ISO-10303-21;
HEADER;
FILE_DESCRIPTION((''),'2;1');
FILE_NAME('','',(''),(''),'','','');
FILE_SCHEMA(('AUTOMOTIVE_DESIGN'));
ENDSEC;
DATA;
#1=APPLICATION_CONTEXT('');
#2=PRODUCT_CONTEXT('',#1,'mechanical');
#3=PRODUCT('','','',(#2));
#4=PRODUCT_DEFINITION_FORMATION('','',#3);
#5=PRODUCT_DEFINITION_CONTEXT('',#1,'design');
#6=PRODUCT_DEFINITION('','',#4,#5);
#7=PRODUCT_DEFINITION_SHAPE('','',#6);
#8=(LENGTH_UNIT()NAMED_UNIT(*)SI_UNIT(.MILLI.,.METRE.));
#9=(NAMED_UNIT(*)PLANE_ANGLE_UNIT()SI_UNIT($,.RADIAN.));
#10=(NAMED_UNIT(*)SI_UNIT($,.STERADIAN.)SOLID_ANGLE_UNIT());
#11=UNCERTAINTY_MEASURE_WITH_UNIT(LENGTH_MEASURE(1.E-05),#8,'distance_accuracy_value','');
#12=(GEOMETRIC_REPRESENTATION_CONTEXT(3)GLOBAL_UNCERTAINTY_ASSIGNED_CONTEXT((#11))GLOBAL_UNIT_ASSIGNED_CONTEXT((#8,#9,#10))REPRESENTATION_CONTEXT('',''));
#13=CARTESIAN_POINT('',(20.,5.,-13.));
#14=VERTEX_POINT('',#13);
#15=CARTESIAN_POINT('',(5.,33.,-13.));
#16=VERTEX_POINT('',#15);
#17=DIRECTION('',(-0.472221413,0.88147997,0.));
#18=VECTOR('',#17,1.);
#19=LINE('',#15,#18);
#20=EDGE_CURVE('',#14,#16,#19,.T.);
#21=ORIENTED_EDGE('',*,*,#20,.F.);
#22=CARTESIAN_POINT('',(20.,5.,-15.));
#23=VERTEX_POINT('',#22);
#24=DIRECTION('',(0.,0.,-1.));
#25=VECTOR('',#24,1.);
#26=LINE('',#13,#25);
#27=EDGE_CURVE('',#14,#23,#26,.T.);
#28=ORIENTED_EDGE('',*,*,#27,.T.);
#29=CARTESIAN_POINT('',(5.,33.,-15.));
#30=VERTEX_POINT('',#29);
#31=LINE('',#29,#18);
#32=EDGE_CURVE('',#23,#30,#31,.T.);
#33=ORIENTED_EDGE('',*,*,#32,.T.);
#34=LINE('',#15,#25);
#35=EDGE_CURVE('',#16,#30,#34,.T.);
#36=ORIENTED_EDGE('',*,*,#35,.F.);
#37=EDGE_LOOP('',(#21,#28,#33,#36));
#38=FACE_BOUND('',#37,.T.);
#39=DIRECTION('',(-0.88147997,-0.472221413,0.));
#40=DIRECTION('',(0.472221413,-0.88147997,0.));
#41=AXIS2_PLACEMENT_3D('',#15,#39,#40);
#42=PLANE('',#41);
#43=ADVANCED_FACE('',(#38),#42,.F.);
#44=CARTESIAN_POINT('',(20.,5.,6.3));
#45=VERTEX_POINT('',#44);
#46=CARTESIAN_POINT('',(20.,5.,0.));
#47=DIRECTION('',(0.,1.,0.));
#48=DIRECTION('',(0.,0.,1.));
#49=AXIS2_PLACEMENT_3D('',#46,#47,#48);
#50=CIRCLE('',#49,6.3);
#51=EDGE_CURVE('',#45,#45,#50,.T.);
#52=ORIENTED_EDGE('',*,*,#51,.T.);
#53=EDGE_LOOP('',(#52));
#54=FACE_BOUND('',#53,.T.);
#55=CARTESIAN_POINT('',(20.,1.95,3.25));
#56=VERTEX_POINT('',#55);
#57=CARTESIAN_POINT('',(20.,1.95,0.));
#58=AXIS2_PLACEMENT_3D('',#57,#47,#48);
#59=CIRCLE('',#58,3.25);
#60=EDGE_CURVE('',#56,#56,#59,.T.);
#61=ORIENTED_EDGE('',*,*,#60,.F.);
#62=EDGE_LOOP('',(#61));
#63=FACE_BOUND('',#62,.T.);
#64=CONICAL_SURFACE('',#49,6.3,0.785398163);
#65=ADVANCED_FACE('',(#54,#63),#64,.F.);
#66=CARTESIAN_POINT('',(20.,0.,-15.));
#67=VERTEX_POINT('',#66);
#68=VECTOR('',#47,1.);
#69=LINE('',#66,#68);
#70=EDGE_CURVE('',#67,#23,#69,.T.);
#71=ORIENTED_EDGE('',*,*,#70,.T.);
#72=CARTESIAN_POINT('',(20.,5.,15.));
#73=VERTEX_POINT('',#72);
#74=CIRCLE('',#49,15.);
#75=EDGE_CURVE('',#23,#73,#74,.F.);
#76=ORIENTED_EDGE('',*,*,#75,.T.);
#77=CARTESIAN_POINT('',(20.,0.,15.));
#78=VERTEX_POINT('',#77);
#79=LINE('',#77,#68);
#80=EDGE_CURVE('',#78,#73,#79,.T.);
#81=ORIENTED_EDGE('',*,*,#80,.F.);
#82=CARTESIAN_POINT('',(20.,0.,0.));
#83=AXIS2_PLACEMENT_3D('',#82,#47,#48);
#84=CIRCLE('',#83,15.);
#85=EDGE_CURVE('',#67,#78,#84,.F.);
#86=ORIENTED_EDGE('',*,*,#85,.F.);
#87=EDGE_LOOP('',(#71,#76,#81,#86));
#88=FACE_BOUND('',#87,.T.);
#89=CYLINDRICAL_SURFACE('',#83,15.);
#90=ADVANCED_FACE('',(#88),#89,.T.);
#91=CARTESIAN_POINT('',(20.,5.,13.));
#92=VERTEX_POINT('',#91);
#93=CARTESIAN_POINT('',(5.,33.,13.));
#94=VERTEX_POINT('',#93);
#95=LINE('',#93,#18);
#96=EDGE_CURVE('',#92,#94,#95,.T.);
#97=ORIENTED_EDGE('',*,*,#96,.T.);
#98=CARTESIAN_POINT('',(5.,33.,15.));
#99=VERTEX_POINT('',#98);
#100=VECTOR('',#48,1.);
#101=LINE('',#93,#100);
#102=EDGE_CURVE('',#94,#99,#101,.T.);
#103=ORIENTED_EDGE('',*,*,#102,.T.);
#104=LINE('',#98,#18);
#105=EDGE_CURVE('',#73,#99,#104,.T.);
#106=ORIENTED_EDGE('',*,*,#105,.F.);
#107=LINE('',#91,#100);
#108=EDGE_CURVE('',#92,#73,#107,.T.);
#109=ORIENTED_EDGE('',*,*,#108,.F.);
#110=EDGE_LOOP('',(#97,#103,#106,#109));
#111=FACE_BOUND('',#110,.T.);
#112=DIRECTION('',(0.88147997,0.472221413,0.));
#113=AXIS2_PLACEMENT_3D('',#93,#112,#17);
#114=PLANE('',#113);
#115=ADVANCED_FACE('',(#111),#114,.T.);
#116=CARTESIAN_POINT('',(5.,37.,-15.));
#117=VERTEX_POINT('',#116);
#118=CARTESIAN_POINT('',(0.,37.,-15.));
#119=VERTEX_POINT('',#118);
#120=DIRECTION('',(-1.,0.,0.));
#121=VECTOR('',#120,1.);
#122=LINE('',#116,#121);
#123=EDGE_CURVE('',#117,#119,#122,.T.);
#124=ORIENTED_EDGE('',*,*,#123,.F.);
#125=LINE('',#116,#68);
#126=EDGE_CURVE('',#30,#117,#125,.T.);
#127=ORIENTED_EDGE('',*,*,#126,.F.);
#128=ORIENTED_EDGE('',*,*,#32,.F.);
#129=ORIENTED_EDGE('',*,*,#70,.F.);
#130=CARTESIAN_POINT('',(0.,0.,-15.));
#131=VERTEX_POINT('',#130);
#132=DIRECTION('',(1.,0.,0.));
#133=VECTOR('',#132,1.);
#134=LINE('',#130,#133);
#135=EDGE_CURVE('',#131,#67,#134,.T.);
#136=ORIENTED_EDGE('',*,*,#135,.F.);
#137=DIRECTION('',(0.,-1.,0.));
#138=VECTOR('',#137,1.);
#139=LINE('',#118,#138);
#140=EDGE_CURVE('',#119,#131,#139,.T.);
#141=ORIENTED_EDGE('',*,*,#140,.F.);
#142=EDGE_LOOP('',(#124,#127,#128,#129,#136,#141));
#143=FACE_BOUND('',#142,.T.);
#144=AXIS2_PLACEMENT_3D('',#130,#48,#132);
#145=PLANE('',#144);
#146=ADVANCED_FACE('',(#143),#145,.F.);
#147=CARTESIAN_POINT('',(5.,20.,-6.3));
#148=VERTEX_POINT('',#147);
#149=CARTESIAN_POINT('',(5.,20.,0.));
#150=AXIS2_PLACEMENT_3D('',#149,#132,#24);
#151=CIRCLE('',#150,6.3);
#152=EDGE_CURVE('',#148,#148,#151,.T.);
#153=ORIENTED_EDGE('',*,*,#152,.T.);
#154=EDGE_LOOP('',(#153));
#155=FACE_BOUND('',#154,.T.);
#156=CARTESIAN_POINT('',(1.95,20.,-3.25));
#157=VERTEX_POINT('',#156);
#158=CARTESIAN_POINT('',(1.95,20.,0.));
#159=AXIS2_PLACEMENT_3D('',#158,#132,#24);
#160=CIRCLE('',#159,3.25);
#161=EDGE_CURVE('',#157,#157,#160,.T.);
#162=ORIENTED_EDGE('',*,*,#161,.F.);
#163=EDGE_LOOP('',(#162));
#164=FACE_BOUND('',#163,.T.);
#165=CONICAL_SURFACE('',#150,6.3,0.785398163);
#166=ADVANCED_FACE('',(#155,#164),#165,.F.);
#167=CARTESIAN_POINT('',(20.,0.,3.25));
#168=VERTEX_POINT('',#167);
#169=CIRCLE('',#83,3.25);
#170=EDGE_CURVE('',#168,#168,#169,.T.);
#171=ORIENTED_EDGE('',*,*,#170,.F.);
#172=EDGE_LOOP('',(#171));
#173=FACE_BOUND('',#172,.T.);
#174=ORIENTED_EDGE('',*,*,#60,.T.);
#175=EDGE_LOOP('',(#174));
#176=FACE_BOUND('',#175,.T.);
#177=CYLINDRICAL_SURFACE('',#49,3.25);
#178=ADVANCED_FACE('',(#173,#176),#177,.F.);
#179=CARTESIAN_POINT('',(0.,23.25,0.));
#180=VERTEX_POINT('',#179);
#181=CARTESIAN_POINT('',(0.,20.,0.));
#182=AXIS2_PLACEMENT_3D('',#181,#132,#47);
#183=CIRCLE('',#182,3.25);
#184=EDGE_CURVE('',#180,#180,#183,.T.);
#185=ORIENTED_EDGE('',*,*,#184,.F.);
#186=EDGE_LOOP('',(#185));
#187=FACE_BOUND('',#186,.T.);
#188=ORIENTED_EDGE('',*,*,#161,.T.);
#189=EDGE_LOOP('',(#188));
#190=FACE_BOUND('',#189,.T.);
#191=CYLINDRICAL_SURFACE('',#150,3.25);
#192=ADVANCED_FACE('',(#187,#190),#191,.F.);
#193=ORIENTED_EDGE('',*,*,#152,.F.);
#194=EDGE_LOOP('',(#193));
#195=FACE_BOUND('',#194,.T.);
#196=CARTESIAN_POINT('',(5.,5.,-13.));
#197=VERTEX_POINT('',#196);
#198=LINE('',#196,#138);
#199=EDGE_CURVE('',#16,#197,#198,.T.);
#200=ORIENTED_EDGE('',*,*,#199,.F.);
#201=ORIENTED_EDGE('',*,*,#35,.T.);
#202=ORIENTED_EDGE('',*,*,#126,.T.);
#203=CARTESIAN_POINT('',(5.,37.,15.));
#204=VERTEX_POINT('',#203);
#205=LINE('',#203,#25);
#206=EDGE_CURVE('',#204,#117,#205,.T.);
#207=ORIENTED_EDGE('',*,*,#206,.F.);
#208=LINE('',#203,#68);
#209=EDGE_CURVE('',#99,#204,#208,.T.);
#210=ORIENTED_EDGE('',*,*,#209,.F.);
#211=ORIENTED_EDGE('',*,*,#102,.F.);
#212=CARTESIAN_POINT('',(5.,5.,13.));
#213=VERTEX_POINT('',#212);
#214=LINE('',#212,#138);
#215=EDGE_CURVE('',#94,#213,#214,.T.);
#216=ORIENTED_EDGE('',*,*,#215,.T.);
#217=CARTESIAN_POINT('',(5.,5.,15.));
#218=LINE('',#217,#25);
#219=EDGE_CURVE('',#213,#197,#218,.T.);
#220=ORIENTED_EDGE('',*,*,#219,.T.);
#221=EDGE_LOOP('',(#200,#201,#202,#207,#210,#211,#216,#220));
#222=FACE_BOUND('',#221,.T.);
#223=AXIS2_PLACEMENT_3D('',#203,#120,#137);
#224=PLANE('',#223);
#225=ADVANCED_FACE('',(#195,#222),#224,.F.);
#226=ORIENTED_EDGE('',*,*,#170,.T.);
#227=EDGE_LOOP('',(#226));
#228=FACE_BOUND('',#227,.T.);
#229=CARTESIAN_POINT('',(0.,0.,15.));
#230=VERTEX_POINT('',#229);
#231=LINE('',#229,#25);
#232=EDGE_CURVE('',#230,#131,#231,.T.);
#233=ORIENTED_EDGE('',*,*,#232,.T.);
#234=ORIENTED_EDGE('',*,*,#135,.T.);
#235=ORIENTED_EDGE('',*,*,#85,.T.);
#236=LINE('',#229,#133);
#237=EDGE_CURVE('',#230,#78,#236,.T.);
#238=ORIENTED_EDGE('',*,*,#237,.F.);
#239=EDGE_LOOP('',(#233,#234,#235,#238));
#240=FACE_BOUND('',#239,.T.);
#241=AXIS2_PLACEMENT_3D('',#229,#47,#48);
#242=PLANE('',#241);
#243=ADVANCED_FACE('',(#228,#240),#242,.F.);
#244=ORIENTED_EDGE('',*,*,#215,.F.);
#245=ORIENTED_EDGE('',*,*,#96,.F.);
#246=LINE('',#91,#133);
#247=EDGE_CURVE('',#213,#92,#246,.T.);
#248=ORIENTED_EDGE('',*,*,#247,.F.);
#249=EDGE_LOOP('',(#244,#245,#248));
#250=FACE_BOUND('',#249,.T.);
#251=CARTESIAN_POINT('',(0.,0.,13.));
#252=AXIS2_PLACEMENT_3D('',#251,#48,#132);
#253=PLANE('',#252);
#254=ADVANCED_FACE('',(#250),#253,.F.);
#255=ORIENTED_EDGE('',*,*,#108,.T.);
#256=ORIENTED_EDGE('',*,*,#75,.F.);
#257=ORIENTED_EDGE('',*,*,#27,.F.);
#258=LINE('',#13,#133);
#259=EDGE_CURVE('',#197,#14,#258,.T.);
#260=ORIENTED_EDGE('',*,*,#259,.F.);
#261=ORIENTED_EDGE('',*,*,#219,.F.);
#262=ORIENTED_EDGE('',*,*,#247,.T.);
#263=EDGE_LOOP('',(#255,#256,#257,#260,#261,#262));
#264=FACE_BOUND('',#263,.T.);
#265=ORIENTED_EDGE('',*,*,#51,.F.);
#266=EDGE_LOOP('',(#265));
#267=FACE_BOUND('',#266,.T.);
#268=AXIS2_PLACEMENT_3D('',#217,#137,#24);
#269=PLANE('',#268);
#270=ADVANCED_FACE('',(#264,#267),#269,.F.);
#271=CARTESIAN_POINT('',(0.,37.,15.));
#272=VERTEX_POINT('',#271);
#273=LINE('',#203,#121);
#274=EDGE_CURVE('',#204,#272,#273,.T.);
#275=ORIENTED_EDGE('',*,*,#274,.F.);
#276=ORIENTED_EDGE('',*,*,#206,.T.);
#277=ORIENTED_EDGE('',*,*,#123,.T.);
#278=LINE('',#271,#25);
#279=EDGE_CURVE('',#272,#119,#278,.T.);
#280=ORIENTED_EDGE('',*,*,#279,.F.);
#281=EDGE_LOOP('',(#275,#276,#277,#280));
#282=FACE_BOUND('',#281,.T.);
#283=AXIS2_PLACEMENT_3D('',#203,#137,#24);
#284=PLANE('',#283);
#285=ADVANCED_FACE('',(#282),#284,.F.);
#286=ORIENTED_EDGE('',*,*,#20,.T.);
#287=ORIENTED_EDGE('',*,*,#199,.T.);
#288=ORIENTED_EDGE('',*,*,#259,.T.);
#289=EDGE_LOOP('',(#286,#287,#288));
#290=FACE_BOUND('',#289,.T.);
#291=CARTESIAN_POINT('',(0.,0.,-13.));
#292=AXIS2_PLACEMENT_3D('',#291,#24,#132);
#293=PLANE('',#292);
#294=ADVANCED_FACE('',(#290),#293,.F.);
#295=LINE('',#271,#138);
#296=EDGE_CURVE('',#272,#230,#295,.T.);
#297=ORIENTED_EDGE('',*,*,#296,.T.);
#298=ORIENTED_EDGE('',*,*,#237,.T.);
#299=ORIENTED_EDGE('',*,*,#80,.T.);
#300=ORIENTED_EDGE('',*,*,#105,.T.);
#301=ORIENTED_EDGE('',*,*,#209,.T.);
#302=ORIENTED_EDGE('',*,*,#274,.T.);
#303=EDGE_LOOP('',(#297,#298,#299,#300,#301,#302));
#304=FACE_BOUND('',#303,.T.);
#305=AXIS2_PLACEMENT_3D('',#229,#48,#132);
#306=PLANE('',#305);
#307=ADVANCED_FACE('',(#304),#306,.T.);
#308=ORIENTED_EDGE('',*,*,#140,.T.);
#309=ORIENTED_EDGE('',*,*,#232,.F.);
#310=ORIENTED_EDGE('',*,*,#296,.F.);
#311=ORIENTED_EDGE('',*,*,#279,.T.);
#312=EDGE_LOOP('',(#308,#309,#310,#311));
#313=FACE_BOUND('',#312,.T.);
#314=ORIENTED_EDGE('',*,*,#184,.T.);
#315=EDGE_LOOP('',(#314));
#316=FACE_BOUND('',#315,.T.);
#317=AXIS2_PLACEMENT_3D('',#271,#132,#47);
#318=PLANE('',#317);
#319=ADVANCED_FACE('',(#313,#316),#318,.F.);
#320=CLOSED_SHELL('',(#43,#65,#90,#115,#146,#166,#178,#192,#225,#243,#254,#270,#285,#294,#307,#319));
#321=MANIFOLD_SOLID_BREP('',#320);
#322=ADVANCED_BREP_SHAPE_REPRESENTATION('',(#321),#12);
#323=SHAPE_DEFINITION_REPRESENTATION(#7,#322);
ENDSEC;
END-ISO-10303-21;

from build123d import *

# Parameters (mm, degrees)
EXTRUDE_1_DEPTH     = 15
CUT_EXTRUDE_2_DEPTH = 6
EXTRUDE_2_DEPTH     = 2


with BuildPart() as part:
    # Эскиз1 → Бобышка-Вытянуть1 (new body, symmetric)
    with BuildSketch(Plane.XY):
        Polygon((0, 37), (0, 0), (35, 0), (35, 5), (5, 5), (5, 37), align=None)
    extrude(amount=EXTRUDE_1_DEPTH, both=True)

    # Эскиз5 → Вырез-Вытянуть2 (cut, through all)
    with BuildSketch(Plane(origin=(0, 5, 0), x_dir=(1, 0, 0), z_dir=(0, 1, 0))):
        with BuildLine():
            Line((35, 15), (20, 15))
            ThreePointArc((20, 15), (30.606601718, 10.606601718), (35, 0))
            Line((35, 0), (35, 15))
        make_face()
        with BuildLine():
            Line((35, -15), (35, 0))
            ThreePointArc((35, 0), (30.606601718, -10.606601718), (20, -15))
            Line((20, -15), (35, -15))
        make_face()
    extrude(amount=-CUT_EXTRUDE_2_DEPTH, mode=Mode.SUBTRACT)

    # Эскиз2 → Бобышка-Вытянуть2 (add)
    with BuildSketch(Plane.XY.offset(15)):
        Polygon((5, 33), (20, 5), (5, 5), align=None)
    extrude_2 = extrude(amount=-EXTRUDE_2_DEPTH)

    # Зеркальное отражение2: Бобышка-Вытянуть2 across plane
    add(extrude_2.mirror(Plane.XY))

    # Эскиз8 → Зенковка для винта с полупотайной головкой M61 (revolve, cut)
    with BuildSketch(Plane(origin=(20, 5, 0), x_dir=(0, 0, 1), z_dir=(1, 0, 0))):
        Polygon((0, 0), (0, 11.202797012), (3.25, 9.25), (3.25, 3.05), (6.3, 0), align=None)
    hole_wizard_m61 = revolve(axis=Axis((20, 11.35, 0), (0, -1, 0)), mode=Mode.SUBTRACT)

    # Зеркальное отражение3: Зенковка для винта с полупотайной головкой M61 across plane
    add(hole_wizard_m61.mirror(Plane(origin=(0, 0, 0), x_dir=(0, 0, 1), z_dir=(-0.707106781, 0.707106781, 0))), mode=Mode.SUBTRACT)


solid = part.part
